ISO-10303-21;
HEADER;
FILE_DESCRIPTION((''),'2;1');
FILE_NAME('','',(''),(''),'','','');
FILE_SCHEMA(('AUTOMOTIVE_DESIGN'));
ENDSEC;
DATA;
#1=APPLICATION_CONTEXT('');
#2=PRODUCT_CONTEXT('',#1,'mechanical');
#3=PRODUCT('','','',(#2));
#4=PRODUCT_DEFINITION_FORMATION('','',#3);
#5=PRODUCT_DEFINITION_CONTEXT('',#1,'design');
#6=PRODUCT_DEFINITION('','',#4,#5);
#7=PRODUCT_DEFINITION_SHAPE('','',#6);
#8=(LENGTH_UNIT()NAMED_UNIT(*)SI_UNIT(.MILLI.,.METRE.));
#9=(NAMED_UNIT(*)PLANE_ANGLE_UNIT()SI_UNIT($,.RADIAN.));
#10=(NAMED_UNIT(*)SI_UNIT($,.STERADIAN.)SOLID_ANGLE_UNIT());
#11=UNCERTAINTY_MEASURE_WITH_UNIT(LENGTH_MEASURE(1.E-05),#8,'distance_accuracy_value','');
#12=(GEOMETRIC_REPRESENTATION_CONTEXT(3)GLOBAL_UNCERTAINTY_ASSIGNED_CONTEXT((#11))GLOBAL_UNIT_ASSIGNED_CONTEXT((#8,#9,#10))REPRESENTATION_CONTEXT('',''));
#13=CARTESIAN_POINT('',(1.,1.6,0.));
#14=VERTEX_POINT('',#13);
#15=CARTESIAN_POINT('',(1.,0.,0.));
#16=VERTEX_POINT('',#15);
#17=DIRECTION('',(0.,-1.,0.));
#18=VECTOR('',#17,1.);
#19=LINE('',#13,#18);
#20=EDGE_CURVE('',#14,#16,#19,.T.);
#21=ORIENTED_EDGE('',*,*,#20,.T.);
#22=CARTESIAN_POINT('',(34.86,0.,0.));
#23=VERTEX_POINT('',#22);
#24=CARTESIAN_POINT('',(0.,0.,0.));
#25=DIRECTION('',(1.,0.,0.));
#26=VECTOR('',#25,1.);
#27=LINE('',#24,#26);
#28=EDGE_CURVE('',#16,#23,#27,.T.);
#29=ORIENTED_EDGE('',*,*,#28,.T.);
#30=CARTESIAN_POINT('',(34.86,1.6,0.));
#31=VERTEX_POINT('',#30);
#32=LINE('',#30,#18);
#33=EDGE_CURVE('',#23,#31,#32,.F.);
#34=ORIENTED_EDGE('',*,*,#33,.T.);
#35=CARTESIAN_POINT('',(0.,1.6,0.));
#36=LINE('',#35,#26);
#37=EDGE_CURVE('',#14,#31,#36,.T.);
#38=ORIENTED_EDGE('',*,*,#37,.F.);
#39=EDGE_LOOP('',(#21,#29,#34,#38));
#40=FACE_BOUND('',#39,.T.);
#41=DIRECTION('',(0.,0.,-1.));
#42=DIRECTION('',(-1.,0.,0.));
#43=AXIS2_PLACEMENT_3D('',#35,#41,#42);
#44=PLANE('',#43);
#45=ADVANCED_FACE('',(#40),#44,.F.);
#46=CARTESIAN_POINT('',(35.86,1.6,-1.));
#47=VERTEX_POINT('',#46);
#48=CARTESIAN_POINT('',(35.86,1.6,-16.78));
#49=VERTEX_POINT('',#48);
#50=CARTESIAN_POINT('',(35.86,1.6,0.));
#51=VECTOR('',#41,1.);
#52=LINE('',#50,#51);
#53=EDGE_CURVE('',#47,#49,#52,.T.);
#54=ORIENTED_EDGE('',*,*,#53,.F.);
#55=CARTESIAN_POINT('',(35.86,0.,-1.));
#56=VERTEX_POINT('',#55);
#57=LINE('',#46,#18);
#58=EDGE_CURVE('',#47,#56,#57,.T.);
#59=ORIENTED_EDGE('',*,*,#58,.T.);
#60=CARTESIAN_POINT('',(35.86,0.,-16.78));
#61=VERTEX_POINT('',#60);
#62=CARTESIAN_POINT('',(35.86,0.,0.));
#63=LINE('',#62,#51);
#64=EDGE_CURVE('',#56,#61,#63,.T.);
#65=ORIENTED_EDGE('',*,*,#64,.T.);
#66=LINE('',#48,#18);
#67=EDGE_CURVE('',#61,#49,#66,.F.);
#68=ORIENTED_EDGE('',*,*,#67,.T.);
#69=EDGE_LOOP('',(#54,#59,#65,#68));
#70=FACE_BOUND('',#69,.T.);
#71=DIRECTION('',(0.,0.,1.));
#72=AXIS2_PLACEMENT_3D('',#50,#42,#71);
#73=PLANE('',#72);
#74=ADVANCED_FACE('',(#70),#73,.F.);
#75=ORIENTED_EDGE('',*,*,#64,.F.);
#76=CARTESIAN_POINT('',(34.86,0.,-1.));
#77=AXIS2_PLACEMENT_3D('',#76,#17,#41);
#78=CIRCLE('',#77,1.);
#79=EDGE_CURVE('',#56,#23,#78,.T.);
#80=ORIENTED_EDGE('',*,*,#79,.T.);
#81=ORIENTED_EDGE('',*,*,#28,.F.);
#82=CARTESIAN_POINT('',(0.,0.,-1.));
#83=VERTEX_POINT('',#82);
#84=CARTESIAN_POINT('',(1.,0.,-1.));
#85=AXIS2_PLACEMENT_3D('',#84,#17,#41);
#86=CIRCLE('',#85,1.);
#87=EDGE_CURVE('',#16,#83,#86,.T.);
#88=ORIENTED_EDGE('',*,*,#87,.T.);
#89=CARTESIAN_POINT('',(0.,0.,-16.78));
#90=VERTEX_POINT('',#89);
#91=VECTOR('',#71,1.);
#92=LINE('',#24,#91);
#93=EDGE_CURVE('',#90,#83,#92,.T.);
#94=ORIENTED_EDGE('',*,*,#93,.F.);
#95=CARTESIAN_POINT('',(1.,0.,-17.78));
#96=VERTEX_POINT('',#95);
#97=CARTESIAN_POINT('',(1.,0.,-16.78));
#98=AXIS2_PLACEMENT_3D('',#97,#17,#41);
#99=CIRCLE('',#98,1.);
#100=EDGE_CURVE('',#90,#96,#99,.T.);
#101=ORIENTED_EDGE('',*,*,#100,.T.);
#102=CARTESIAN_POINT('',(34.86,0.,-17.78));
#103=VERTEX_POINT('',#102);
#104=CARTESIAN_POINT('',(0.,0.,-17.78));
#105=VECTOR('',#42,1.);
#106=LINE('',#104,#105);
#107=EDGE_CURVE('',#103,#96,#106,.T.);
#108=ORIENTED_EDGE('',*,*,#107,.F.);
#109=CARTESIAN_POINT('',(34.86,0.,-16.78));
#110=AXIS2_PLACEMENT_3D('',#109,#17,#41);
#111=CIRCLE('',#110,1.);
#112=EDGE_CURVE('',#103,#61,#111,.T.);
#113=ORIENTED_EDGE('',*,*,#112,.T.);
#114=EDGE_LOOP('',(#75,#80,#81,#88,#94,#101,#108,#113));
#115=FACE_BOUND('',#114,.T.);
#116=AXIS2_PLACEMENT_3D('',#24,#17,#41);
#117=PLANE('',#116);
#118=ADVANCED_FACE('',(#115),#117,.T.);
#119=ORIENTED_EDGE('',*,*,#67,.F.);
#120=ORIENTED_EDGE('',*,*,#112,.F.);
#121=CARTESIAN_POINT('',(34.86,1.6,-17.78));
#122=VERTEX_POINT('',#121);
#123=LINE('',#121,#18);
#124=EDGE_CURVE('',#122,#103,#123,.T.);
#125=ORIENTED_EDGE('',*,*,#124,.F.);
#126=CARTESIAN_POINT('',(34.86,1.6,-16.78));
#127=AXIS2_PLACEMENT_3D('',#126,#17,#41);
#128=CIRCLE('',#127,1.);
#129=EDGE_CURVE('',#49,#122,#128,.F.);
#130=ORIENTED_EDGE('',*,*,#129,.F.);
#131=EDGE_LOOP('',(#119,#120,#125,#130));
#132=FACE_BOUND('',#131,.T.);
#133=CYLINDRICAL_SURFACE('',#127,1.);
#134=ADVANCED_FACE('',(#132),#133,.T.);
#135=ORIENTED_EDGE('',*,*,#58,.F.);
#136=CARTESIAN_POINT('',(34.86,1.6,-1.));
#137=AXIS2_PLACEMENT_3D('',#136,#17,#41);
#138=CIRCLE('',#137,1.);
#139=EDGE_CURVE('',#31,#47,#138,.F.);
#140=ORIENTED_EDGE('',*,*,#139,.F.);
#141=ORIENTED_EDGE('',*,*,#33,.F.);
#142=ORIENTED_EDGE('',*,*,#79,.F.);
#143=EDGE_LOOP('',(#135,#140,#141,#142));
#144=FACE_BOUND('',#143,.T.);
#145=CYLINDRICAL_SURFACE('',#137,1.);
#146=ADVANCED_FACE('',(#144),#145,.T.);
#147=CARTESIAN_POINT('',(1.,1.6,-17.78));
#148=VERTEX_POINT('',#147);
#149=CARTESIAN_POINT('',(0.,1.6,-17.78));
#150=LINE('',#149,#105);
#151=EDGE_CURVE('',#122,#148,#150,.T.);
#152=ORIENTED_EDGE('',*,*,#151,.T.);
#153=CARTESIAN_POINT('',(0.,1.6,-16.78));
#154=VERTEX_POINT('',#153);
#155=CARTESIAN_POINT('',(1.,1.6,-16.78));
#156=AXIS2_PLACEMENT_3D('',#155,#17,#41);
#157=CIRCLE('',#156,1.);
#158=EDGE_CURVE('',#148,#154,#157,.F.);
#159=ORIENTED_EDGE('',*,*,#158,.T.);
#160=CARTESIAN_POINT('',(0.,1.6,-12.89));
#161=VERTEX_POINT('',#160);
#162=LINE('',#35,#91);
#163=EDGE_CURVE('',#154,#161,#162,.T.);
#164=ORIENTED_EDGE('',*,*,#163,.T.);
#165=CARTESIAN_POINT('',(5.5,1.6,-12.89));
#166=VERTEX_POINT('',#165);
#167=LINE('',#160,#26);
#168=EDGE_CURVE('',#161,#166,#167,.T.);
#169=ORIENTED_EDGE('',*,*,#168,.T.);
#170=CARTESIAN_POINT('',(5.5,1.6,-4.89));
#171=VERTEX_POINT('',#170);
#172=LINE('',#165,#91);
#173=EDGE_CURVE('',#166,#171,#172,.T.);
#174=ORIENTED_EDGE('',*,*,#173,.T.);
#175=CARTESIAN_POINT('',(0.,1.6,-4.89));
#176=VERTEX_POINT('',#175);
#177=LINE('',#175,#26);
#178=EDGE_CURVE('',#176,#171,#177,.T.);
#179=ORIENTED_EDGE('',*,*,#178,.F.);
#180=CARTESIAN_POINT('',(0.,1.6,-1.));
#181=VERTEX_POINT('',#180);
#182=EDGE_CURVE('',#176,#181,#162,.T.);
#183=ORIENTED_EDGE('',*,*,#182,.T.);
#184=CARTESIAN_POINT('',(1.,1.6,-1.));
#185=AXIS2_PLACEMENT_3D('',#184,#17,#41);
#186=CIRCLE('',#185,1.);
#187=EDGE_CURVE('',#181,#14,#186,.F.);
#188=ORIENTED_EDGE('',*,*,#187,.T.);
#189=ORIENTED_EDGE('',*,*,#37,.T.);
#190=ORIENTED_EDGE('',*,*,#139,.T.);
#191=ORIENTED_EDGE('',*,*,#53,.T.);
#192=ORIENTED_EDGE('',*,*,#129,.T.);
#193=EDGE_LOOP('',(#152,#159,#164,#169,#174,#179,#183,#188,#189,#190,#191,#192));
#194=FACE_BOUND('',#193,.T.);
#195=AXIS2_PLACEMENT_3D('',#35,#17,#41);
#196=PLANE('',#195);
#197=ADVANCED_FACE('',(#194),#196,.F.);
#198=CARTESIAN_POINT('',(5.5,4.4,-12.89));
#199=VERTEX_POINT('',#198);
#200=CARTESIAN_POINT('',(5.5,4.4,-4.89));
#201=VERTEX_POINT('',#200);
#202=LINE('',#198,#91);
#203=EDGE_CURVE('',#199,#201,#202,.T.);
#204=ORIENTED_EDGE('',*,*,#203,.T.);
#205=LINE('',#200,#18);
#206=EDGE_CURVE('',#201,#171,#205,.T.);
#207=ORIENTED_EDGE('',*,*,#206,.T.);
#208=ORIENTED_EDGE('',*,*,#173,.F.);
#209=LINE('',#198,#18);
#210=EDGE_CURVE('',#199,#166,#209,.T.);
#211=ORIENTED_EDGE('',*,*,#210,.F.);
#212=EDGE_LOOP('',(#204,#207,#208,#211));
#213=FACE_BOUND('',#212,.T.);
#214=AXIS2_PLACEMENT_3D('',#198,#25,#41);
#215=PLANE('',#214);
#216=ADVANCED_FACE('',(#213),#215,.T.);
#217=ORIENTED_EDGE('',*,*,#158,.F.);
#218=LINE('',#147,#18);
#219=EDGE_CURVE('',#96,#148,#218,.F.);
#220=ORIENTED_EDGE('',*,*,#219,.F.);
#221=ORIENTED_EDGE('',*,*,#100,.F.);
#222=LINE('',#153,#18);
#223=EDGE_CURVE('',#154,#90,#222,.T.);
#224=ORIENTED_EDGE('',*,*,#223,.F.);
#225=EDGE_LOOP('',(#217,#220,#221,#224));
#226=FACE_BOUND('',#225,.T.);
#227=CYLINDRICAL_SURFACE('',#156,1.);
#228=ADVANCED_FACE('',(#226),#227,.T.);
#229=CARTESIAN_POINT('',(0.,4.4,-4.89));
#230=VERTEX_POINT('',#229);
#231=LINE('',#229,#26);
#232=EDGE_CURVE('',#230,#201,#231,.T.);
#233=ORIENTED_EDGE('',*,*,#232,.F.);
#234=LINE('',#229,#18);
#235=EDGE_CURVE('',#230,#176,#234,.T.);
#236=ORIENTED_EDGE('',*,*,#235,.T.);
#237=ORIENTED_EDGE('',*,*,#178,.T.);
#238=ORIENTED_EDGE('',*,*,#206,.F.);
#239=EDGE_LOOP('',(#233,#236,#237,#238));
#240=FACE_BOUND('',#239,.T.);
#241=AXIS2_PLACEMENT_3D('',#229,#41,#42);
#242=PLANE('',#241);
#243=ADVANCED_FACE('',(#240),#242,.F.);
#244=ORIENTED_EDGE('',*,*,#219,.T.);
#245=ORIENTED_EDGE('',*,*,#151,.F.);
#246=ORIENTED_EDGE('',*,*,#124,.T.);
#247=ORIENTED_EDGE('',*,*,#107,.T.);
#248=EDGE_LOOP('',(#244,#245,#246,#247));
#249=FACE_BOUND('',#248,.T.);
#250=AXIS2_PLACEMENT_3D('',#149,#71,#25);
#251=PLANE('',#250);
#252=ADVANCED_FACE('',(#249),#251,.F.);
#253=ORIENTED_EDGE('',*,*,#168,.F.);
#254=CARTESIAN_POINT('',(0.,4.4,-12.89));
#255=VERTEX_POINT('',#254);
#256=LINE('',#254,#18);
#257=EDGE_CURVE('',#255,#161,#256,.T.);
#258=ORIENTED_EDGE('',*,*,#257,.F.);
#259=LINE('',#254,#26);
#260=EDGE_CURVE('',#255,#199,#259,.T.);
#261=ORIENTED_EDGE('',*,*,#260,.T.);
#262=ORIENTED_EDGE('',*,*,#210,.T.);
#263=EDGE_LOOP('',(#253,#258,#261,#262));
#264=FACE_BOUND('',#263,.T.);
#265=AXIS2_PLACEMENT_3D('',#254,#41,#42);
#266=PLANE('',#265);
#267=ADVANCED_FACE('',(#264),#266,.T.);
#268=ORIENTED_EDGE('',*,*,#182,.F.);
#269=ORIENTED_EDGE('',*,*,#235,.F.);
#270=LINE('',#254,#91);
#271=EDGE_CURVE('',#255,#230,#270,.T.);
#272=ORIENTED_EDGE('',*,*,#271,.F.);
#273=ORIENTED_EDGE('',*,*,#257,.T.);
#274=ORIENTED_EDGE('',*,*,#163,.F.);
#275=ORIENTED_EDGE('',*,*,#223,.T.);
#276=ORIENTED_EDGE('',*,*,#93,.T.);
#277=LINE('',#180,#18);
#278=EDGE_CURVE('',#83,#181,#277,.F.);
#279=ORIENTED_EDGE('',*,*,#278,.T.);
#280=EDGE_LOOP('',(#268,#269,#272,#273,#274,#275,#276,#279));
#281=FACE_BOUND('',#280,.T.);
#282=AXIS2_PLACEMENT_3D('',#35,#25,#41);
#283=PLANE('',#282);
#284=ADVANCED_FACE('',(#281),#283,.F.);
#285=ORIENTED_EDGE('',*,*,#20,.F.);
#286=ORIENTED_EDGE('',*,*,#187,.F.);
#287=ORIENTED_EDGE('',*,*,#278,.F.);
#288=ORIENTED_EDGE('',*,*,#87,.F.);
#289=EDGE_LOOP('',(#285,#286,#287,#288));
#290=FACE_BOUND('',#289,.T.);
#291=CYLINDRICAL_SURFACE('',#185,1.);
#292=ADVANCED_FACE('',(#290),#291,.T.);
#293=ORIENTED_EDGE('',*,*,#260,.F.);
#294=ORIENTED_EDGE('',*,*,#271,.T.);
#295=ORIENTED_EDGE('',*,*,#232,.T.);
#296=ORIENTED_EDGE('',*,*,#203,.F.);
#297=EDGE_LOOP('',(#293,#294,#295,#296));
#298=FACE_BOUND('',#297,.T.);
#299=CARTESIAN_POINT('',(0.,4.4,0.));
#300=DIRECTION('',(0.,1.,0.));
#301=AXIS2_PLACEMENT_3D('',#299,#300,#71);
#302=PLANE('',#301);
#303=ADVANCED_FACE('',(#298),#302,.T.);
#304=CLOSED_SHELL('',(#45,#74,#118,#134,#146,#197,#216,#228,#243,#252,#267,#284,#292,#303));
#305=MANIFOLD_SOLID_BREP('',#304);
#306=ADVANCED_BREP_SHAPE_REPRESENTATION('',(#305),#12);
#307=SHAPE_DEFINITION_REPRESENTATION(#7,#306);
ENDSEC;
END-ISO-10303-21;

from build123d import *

# Parameters (mm, degrees)
SKETCH1_W           = 35.86
SKETCH1_H           = 17.78
BOSS_EXTRUDE1_DEPTH = 1.6
SKETCH2_W           = 5.5
SKETCH2_H           = 8
BOSS_EXTRUDE2_DEPTH = 2.8
FILLET1_R           = 1


with BuildPart() as part:
    # Sketch1 → Boss-Extrude1 (new body)
    with BuildSketch(Plane(origin=(0, 0, 0), x_dir=(1, 0, 0), z_dir=(0, 1, 0))):
        with Locations((17.93, 8.89)):
            Rectangle(SKETCH1_W, SKETCH1_H)
    extrude(amount=BOSS_EXTRUDE1_DEPTH)

    # Sketch2 → Boss-Extrude2 (add)
    with BuildSketch(Plane(origin=(0, 1.6, 0), x_dir=(1, 0, 0), z_dir=(0, 1, 0))):
        with Locations((2.75, 8.89)):
            Rectangle(SKETCH2_W, SKETCH2_H)
    extrude(amount=BOSS_EXTRUDE2_DEPTH)

    # Fillet1
    fillet1_edges = [part.edges().sort_by_distance(p)[0] for p in [
        (0, 0.8, -17.78),
        (35.86, 0.8, -17.78),
        (35.86, 0.8, 0),
        (0, 0.8, 0),
    ]]
    fillet(fillet1_edges, radius=FILLET1_R)


solid = part.part
